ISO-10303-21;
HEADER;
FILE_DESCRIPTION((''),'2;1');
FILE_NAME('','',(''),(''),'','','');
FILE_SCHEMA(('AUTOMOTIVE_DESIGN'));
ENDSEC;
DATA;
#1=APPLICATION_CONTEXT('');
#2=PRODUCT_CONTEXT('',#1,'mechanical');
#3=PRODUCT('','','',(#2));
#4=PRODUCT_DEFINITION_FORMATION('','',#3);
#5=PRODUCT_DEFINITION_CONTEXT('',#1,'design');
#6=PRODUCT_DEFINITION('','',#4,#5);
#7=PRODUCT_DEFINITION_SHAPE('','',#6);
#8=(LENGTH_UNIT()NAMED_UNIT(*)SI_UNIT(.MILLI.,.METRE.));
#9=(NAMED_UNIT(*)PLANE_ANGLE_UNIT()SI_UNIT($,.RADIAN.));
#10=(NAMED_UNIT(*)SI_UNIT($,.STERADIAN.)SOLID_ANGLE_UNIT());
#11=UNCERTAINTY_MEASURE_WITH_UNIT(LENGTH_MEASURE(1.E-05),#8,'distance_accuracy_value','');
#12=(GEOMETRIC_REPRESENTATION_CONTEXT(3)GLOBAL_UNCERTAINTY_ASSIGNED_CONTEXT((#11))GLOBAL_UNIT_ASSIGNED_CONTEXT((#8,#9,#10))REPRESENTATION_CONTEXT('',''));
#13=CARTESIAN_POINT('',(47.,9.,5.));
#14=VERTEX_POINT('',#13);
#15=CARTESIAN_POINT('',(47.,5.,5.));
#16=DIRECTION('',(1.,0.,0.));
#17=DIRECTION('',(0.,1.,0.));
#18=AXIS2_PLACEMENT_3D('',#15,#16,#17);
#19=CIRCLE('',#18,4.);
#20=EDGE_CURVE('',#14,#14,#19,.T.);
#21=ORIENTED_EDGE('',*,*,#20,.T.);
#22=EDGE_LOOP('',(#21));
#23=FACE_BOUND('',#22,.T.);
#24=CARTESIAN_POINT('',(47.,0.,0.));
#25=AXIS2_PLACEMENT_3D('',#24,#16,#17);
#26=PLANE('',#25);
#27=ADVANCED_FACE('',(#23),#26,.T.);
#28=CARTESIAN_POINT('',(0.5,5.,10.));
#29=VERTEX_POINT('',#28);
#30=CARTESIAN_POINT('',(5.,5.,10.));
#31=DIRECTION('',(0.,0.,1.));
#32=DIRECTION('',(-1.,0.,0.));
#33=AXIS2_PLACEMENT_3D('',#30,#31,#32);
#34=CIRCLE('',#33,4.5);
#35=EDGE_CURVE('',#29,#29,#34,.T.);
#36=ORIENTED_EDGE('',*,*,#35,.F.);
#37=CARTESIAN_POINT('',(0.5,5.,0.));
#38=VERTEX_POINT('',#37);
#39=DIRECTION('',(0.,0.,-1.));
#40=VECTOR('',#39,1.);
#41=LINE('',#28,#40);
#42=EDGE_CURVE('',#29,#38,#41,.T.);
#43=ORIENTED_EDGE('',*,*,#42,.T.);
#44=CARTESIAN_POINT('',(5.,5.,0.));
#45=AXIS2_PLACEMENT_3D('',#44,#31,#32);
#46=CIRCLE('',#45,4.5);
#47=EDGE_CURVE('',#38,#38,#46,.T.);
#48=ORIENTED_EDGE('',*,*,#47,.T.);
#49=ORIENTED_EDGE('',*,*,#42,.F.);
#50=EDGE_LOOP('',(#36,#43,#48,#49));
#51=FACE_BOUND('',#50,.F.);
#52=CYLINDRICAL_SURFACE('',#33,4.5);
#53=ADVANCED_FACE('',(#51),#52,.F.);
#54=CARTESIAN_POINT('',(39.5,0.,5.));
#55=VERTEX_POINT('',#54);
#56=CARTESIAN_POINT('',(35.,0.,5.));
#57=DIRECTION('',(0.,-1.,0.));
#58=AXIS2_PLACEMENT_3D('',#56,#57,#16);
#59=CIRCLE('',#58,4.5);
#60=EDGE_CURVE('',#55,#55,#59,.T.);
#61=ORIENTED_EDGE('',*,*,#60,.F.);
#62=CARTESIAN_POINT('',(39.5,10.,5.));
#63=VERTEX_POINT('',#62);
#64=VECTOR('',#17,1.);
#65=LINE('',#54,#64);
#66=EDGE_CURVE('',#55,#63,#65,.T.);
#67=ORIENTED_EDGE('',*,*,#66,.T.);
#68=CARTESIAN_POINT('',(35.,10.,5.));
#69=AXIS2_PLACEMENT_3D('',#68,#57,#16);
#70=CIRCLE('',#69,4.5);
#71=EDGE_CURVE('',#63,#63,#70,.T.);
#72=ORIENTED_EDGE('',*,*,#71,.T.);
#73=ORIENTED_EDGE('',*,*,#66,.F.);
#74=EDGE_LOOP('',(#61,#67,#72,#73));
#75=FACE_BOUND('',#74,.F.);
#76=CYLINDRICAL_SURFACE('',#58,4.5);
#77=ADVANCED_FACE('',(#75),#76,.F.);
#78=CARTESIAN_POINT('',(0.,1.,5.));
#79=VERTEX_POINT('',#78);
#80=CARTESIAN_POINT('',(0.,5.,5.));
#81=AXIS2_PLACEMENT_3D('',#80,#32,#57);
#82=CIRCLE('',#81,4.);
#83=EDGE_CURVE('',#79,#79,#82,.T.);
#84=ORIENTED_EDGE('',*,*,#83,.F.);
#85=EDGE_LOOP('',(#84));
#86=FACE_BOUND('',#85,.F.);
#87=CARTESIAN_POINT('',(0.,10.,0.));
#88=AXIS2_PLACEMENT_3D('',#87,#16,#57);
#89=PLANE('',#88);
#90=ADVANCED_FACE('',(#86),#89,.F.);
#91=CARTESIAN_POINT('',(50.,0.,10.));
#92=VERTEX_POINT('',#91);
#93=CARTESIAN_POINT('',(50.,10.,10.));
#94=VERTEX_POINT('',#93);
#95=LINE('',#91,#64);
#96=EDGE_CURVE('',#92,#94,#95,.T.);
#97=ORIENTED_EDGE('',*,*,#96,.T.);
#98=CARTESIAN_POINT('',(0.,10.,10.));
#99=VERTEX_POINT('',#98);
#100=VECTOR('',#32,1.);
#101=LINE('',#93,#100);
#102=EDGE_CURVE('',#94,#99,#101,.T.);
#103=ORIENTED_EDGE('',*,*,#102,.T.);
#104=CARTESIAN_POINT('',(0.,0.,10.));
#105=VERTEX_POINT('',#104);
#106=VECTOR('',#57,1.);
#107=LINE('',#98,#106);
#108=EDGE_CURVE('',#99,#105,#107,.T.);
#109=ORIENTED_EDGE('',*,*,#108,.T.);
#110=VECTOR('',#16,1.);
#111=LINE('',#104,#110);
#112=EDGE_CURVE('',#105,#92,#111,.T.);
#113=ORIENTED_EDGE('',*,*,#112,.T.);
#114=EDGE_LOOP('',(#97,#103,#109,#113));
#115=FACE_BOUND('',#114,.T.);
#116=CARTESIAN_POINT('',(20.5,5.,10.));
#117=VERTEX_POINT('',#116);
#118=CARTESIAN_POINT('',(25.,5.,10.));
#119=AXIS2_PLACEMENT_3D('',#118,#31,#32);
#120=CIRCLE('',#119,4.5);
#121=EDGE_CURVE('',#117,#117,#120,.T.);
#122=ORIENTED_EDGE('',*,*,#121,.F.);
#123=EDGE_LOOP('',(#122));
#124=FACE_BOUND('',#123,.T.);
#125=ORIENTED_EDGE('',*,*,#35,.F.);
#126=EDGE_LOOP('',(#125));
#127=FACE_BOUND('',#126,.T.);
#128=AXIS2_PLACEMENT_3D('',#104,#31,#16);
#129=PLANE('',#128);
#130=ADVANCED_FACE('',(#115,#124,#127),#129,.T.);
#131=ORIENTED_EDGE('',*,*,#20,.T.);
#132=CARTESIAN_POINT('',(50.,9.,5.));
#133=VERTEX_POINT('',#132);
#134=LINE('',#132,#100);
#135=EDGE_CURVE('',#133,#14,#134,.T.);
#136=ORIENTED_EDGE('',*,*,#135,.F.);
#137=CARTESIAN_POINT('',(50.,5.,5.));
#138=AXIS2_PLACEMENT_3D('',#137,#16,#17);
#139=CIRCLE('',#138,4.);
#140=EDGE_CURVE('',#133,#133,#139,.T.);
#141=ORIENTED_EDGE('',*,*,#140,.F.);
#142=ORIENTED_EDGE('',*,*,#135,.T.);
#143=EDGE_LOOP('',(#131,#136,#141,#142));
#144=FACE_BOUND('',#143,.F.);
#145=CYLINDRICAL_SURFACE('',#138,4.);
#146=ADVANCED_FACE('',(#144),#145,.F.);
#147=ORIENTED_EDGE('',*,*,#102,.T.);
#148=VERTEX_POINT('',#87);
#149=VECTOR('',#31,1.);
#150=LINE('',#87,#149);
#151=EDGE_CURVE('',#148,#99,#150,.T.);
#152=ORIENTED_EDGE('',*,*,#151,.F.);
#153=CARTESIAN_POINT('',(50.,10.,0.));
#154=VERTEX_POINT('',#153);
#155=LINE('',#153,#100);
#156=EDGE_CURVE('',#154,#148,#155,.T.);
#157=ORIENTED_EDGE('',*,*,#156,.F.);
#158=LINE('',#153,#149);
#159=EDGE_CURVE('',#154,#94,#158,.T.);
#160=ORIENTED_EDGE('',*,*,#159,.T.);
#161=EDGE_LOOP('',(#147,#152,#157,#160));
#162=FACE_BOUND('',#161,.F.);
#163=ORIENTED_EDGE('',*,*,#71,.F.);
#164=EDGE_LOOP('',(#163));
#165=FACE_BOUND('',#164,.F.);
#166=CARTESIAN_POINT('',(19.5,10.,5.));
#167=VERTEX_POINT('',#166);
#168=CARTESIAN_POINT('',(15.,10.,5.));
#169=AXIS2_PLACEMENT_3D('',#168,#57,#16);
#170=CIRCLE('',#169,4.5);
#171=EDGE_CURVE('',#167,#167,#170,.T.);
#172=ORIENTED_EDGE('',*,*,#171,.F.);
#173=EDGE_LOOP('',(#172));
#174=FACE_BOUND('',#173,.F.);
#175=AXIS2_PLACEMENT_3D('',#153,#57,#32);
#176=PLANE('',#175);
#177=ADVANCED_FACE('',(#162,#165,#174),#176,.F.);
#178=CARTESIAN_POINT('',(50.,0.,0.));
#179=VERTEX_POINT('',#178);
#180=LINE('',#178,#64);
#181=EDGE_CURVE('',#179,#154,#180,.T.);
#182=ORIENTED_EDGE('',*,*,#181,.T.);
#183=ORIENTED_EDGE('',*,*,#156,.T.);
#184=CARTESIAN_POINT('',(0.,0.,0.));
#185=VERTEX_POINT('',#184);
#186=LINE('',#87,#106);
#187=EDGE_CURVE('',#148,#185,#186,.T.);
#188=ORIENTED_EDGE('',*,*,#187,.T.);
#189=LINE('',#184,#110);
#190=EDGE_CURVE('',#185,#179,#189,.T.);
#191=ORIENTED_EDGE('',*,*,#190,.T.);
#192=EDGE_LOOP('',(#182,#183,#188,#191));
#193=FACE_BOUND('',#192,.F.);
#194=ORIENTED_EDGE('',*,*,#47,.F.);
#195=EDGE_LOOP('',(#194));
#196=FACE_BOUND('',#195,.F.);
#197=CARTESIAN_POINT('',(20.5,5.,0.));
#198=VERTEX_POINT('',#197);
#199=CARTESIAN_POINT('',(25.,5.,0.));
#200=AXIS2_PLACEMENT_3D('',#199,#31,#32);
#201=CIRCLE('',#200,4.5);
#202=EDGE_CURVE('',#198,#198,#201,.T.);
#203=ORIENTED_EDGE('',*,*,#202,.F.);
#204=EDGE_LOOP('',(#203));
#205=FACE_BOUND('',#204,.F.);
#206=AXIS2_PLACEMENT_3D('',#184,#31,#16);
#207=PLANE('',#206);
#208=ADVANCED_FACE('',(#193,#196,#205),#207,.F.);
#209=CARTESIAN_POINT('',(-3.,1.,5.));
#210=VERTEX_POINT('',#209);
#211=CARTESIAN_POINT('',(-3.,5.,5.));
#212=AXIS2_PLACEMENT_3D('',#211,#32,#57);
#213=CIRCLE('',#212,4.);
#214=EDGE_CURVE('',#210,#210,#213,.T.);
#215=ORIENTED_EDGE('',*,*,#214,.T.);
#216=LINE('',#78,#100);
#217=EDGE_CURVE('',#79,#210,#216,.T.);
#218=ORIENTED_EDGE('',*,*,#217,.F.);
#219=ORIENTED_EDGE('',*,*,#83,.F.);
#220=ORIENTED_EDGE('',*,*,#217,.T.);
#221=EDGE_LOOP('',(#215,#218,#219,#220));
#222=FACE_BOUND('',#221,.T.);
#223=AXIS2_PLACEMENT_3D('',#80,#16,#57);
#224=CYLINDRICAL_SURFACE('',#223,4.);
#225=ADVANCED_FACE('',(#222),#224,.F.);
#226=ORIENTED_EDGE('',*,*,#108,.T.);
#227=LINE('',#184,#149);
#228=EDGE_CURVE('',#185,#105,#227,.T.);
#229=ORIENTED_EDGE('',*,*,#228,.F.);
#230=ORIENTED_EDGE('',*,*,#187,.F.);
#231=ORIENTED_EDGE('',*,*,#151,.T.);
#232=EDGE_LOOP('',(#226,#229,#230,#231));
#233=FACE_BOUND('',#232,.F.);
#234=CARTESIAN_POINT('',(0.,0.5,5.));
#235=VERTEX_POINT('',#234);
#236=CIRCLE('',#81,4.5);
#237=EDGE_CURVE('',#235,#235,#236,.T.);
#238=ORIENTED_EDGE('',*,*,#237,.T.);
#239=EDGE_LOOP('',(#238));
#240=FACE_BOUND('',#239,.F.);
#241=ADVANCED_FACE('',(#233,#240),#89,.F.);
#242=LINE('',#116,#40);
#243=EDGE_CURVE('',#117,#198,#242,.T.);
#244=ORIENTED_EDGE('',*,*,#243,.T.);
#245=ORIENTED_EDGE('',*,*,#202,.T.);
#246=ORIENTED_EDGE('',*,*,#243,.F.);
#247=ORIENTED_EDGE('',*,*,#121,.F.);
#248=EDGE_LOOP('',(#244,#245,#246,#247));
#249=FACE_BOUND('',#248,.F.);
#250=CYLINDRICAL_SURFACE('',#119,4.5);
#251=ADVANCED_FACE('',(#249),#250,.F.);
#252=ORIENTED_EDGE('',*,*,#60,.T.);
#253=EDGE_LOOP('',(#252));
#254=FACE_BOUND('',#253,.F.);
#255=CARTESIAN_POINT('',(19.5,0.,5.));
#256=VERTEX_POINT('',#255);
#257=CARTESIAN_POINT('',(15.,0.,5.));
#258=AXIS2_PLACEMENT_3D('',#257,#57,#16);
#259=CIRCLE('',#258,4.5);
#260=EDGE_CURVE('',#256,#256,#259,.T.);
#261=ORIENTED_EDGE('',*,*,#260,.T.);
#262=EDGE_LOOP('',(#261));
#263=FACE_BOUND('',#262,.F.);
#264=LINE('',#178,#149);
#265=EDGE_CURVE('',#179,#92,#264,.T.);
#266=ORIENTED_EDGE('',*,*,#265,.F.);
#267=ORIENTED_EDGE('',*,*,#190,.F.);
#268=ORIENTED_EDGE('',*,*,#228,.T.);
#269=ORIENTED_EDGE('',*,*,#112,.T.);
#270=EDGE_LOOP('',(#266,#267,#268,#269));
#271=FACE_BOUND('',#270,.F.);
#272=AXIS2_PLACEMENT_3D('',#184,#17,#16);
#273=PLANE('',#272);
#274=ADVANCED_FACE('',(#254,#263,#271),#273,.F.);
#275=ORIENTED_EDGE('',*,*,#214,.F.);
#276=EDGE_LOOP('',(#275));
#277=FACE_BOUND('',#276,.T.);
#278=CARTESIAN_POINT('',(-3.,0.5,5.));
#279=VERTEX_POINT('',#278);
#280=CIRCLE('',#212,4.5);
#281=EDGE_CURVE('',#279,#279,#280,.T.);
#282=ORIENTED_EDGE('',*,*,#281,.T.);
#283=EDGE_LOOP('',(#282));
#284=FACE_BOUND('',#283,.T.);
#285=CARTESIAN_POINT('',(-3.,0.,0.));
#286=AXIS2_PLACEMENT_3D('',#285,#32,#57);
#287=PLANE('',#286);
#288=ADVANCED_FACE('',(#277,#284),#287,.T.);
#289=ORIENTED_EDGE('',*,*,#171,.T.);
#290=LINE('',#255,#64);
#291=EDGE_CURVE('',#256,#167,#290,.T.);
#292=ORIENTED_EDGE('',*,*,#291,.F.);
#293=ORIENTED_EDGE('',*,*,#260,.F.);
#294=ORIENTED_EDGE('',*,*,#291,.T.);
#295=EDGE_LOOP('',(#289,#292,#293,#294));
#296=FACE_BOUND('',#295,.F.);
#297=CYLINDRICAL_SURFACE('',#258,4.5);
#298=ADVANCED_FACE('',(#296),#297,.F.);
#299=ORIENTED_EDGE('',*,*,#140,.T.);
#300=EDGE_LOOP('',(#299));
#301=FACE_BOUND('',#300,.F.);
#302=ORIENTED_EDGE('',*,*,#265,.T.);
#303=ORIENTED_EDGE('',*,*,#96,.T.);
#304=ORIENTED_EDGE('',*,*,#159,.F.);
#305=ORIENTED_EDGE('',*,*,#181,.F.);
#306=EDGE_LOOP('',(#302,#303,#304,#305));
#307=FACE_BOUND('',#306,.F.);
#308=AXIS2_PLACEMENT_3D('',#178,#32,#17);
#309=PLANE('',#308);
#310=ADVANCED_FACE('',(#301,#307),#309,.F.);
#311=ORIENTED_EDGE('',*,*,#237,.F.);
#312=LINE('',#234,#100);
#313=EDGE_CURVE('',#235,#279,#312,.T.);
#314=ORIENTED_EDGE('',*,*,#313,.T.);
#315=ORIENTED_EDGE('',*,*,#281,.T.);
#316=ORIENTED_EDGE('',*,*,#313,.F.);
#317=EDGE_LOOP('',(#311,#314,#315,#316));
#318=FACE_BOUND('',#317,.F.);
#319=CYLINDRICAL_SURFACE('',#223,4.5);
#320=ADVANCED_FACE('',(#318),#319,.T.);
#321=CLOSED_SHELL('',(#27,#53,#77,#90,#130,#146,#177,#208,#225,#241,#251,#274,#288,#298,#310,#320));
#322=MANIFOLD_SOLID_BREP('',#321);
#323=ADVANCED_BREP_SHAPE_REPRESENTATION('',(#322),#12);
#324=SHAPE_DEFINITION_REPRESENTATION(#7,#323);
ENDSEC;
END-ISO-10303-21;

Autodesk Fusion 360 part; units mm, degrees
sketch "Sketch1" plane through (0, 0, 0) normal (0, 0, 1) x (1, 0, 0)
  line L0 (0, 0) -> (50, 0)
  line L1 (50, 0) -> (50, 10)
  line L2 (50, 10) -> (0, 10)
  line L3 (0, 10) -> (0, 0)
  dimension "d1" = 50
  dimension "d2" = 10
extrude "Extrude1" add sketch "Sketch1" along normal blind 10
sketch "Sketch2" plane through (0, 0, 10) normal (0, 0, 1) x (-1, 0, 0)
  line L0 (0, -10) -> (0, 0)
  line L1 (0, 0) -> (-50, 0)
  line L2 (-50, 0) -> (-50, -10)
  line L3 (-50, -10) -> (0, -10)
  circle A0 centre (-5, -5) radius 4.5
  circle A1 centre (-25, -5) radius 4.5
  dimension "d5" = 9
  dimension "d6" = 9
extrude "Extrude2" cut sketch "Sketch2" against normal blind 11 contours A0 | A1
sketch "Sketch3" plane through (50, 0, 0) normal (1, 0, 0) x (0, 1, 0)
  line L0 (0, 0) -> (10, 0)
  line L1 (10, 0) -> (10, 10)
  line L2 (10, 10) -> (0, 10)
  line L3 (0, 10) -> (0, 0)
  circle A0 centre (5, 5) radius 4
  dimension "d9" = 8
extrude "Extrude3" cut sketch "Sketch3" against normal blind 3 contours A0
sketch "Sketch4" plane through (0, 0, 0) normal (0, -1, 0) x (1, 0, 0)
  line L0 (0, 0) -> (50, 0)
  line L1 (50, 0) -> (50, 10)
  line L2 (50, 10) -> (0, 10)
  line L3 (0, 10) -> (0, 0)
  circle A0 centre (15, 5) radius 4.5
  circle A1 centre (35, 5) radius 4.5
  dimension "d12" = 9
  dimension "d13" = 9
extrude "Extrude4" cut sketch "Sketch4" against normal blind 20 contours A0 | A1
sketch "Sketch5" plane through (0, 0, 0) normal (-1, 0, 0) x (0, -1, 0)
  line L0 (-10, 0) -> (0, 0)
  line L1 (0, 0) -> (0, 10)
  line L2 (0, 10) -> (-10, 10)
  line L3 (-10, 10) -> (-10, 0)
  circle A0 centre (-5, 5) radius 4.5
  circle A1 centre (-5, 5) radius 4
  dimension "d16" = 9
  dimension "d17" = 8
extrude "Extrude5" add sketch "Sketch5" along normal blind 3 contours A0
